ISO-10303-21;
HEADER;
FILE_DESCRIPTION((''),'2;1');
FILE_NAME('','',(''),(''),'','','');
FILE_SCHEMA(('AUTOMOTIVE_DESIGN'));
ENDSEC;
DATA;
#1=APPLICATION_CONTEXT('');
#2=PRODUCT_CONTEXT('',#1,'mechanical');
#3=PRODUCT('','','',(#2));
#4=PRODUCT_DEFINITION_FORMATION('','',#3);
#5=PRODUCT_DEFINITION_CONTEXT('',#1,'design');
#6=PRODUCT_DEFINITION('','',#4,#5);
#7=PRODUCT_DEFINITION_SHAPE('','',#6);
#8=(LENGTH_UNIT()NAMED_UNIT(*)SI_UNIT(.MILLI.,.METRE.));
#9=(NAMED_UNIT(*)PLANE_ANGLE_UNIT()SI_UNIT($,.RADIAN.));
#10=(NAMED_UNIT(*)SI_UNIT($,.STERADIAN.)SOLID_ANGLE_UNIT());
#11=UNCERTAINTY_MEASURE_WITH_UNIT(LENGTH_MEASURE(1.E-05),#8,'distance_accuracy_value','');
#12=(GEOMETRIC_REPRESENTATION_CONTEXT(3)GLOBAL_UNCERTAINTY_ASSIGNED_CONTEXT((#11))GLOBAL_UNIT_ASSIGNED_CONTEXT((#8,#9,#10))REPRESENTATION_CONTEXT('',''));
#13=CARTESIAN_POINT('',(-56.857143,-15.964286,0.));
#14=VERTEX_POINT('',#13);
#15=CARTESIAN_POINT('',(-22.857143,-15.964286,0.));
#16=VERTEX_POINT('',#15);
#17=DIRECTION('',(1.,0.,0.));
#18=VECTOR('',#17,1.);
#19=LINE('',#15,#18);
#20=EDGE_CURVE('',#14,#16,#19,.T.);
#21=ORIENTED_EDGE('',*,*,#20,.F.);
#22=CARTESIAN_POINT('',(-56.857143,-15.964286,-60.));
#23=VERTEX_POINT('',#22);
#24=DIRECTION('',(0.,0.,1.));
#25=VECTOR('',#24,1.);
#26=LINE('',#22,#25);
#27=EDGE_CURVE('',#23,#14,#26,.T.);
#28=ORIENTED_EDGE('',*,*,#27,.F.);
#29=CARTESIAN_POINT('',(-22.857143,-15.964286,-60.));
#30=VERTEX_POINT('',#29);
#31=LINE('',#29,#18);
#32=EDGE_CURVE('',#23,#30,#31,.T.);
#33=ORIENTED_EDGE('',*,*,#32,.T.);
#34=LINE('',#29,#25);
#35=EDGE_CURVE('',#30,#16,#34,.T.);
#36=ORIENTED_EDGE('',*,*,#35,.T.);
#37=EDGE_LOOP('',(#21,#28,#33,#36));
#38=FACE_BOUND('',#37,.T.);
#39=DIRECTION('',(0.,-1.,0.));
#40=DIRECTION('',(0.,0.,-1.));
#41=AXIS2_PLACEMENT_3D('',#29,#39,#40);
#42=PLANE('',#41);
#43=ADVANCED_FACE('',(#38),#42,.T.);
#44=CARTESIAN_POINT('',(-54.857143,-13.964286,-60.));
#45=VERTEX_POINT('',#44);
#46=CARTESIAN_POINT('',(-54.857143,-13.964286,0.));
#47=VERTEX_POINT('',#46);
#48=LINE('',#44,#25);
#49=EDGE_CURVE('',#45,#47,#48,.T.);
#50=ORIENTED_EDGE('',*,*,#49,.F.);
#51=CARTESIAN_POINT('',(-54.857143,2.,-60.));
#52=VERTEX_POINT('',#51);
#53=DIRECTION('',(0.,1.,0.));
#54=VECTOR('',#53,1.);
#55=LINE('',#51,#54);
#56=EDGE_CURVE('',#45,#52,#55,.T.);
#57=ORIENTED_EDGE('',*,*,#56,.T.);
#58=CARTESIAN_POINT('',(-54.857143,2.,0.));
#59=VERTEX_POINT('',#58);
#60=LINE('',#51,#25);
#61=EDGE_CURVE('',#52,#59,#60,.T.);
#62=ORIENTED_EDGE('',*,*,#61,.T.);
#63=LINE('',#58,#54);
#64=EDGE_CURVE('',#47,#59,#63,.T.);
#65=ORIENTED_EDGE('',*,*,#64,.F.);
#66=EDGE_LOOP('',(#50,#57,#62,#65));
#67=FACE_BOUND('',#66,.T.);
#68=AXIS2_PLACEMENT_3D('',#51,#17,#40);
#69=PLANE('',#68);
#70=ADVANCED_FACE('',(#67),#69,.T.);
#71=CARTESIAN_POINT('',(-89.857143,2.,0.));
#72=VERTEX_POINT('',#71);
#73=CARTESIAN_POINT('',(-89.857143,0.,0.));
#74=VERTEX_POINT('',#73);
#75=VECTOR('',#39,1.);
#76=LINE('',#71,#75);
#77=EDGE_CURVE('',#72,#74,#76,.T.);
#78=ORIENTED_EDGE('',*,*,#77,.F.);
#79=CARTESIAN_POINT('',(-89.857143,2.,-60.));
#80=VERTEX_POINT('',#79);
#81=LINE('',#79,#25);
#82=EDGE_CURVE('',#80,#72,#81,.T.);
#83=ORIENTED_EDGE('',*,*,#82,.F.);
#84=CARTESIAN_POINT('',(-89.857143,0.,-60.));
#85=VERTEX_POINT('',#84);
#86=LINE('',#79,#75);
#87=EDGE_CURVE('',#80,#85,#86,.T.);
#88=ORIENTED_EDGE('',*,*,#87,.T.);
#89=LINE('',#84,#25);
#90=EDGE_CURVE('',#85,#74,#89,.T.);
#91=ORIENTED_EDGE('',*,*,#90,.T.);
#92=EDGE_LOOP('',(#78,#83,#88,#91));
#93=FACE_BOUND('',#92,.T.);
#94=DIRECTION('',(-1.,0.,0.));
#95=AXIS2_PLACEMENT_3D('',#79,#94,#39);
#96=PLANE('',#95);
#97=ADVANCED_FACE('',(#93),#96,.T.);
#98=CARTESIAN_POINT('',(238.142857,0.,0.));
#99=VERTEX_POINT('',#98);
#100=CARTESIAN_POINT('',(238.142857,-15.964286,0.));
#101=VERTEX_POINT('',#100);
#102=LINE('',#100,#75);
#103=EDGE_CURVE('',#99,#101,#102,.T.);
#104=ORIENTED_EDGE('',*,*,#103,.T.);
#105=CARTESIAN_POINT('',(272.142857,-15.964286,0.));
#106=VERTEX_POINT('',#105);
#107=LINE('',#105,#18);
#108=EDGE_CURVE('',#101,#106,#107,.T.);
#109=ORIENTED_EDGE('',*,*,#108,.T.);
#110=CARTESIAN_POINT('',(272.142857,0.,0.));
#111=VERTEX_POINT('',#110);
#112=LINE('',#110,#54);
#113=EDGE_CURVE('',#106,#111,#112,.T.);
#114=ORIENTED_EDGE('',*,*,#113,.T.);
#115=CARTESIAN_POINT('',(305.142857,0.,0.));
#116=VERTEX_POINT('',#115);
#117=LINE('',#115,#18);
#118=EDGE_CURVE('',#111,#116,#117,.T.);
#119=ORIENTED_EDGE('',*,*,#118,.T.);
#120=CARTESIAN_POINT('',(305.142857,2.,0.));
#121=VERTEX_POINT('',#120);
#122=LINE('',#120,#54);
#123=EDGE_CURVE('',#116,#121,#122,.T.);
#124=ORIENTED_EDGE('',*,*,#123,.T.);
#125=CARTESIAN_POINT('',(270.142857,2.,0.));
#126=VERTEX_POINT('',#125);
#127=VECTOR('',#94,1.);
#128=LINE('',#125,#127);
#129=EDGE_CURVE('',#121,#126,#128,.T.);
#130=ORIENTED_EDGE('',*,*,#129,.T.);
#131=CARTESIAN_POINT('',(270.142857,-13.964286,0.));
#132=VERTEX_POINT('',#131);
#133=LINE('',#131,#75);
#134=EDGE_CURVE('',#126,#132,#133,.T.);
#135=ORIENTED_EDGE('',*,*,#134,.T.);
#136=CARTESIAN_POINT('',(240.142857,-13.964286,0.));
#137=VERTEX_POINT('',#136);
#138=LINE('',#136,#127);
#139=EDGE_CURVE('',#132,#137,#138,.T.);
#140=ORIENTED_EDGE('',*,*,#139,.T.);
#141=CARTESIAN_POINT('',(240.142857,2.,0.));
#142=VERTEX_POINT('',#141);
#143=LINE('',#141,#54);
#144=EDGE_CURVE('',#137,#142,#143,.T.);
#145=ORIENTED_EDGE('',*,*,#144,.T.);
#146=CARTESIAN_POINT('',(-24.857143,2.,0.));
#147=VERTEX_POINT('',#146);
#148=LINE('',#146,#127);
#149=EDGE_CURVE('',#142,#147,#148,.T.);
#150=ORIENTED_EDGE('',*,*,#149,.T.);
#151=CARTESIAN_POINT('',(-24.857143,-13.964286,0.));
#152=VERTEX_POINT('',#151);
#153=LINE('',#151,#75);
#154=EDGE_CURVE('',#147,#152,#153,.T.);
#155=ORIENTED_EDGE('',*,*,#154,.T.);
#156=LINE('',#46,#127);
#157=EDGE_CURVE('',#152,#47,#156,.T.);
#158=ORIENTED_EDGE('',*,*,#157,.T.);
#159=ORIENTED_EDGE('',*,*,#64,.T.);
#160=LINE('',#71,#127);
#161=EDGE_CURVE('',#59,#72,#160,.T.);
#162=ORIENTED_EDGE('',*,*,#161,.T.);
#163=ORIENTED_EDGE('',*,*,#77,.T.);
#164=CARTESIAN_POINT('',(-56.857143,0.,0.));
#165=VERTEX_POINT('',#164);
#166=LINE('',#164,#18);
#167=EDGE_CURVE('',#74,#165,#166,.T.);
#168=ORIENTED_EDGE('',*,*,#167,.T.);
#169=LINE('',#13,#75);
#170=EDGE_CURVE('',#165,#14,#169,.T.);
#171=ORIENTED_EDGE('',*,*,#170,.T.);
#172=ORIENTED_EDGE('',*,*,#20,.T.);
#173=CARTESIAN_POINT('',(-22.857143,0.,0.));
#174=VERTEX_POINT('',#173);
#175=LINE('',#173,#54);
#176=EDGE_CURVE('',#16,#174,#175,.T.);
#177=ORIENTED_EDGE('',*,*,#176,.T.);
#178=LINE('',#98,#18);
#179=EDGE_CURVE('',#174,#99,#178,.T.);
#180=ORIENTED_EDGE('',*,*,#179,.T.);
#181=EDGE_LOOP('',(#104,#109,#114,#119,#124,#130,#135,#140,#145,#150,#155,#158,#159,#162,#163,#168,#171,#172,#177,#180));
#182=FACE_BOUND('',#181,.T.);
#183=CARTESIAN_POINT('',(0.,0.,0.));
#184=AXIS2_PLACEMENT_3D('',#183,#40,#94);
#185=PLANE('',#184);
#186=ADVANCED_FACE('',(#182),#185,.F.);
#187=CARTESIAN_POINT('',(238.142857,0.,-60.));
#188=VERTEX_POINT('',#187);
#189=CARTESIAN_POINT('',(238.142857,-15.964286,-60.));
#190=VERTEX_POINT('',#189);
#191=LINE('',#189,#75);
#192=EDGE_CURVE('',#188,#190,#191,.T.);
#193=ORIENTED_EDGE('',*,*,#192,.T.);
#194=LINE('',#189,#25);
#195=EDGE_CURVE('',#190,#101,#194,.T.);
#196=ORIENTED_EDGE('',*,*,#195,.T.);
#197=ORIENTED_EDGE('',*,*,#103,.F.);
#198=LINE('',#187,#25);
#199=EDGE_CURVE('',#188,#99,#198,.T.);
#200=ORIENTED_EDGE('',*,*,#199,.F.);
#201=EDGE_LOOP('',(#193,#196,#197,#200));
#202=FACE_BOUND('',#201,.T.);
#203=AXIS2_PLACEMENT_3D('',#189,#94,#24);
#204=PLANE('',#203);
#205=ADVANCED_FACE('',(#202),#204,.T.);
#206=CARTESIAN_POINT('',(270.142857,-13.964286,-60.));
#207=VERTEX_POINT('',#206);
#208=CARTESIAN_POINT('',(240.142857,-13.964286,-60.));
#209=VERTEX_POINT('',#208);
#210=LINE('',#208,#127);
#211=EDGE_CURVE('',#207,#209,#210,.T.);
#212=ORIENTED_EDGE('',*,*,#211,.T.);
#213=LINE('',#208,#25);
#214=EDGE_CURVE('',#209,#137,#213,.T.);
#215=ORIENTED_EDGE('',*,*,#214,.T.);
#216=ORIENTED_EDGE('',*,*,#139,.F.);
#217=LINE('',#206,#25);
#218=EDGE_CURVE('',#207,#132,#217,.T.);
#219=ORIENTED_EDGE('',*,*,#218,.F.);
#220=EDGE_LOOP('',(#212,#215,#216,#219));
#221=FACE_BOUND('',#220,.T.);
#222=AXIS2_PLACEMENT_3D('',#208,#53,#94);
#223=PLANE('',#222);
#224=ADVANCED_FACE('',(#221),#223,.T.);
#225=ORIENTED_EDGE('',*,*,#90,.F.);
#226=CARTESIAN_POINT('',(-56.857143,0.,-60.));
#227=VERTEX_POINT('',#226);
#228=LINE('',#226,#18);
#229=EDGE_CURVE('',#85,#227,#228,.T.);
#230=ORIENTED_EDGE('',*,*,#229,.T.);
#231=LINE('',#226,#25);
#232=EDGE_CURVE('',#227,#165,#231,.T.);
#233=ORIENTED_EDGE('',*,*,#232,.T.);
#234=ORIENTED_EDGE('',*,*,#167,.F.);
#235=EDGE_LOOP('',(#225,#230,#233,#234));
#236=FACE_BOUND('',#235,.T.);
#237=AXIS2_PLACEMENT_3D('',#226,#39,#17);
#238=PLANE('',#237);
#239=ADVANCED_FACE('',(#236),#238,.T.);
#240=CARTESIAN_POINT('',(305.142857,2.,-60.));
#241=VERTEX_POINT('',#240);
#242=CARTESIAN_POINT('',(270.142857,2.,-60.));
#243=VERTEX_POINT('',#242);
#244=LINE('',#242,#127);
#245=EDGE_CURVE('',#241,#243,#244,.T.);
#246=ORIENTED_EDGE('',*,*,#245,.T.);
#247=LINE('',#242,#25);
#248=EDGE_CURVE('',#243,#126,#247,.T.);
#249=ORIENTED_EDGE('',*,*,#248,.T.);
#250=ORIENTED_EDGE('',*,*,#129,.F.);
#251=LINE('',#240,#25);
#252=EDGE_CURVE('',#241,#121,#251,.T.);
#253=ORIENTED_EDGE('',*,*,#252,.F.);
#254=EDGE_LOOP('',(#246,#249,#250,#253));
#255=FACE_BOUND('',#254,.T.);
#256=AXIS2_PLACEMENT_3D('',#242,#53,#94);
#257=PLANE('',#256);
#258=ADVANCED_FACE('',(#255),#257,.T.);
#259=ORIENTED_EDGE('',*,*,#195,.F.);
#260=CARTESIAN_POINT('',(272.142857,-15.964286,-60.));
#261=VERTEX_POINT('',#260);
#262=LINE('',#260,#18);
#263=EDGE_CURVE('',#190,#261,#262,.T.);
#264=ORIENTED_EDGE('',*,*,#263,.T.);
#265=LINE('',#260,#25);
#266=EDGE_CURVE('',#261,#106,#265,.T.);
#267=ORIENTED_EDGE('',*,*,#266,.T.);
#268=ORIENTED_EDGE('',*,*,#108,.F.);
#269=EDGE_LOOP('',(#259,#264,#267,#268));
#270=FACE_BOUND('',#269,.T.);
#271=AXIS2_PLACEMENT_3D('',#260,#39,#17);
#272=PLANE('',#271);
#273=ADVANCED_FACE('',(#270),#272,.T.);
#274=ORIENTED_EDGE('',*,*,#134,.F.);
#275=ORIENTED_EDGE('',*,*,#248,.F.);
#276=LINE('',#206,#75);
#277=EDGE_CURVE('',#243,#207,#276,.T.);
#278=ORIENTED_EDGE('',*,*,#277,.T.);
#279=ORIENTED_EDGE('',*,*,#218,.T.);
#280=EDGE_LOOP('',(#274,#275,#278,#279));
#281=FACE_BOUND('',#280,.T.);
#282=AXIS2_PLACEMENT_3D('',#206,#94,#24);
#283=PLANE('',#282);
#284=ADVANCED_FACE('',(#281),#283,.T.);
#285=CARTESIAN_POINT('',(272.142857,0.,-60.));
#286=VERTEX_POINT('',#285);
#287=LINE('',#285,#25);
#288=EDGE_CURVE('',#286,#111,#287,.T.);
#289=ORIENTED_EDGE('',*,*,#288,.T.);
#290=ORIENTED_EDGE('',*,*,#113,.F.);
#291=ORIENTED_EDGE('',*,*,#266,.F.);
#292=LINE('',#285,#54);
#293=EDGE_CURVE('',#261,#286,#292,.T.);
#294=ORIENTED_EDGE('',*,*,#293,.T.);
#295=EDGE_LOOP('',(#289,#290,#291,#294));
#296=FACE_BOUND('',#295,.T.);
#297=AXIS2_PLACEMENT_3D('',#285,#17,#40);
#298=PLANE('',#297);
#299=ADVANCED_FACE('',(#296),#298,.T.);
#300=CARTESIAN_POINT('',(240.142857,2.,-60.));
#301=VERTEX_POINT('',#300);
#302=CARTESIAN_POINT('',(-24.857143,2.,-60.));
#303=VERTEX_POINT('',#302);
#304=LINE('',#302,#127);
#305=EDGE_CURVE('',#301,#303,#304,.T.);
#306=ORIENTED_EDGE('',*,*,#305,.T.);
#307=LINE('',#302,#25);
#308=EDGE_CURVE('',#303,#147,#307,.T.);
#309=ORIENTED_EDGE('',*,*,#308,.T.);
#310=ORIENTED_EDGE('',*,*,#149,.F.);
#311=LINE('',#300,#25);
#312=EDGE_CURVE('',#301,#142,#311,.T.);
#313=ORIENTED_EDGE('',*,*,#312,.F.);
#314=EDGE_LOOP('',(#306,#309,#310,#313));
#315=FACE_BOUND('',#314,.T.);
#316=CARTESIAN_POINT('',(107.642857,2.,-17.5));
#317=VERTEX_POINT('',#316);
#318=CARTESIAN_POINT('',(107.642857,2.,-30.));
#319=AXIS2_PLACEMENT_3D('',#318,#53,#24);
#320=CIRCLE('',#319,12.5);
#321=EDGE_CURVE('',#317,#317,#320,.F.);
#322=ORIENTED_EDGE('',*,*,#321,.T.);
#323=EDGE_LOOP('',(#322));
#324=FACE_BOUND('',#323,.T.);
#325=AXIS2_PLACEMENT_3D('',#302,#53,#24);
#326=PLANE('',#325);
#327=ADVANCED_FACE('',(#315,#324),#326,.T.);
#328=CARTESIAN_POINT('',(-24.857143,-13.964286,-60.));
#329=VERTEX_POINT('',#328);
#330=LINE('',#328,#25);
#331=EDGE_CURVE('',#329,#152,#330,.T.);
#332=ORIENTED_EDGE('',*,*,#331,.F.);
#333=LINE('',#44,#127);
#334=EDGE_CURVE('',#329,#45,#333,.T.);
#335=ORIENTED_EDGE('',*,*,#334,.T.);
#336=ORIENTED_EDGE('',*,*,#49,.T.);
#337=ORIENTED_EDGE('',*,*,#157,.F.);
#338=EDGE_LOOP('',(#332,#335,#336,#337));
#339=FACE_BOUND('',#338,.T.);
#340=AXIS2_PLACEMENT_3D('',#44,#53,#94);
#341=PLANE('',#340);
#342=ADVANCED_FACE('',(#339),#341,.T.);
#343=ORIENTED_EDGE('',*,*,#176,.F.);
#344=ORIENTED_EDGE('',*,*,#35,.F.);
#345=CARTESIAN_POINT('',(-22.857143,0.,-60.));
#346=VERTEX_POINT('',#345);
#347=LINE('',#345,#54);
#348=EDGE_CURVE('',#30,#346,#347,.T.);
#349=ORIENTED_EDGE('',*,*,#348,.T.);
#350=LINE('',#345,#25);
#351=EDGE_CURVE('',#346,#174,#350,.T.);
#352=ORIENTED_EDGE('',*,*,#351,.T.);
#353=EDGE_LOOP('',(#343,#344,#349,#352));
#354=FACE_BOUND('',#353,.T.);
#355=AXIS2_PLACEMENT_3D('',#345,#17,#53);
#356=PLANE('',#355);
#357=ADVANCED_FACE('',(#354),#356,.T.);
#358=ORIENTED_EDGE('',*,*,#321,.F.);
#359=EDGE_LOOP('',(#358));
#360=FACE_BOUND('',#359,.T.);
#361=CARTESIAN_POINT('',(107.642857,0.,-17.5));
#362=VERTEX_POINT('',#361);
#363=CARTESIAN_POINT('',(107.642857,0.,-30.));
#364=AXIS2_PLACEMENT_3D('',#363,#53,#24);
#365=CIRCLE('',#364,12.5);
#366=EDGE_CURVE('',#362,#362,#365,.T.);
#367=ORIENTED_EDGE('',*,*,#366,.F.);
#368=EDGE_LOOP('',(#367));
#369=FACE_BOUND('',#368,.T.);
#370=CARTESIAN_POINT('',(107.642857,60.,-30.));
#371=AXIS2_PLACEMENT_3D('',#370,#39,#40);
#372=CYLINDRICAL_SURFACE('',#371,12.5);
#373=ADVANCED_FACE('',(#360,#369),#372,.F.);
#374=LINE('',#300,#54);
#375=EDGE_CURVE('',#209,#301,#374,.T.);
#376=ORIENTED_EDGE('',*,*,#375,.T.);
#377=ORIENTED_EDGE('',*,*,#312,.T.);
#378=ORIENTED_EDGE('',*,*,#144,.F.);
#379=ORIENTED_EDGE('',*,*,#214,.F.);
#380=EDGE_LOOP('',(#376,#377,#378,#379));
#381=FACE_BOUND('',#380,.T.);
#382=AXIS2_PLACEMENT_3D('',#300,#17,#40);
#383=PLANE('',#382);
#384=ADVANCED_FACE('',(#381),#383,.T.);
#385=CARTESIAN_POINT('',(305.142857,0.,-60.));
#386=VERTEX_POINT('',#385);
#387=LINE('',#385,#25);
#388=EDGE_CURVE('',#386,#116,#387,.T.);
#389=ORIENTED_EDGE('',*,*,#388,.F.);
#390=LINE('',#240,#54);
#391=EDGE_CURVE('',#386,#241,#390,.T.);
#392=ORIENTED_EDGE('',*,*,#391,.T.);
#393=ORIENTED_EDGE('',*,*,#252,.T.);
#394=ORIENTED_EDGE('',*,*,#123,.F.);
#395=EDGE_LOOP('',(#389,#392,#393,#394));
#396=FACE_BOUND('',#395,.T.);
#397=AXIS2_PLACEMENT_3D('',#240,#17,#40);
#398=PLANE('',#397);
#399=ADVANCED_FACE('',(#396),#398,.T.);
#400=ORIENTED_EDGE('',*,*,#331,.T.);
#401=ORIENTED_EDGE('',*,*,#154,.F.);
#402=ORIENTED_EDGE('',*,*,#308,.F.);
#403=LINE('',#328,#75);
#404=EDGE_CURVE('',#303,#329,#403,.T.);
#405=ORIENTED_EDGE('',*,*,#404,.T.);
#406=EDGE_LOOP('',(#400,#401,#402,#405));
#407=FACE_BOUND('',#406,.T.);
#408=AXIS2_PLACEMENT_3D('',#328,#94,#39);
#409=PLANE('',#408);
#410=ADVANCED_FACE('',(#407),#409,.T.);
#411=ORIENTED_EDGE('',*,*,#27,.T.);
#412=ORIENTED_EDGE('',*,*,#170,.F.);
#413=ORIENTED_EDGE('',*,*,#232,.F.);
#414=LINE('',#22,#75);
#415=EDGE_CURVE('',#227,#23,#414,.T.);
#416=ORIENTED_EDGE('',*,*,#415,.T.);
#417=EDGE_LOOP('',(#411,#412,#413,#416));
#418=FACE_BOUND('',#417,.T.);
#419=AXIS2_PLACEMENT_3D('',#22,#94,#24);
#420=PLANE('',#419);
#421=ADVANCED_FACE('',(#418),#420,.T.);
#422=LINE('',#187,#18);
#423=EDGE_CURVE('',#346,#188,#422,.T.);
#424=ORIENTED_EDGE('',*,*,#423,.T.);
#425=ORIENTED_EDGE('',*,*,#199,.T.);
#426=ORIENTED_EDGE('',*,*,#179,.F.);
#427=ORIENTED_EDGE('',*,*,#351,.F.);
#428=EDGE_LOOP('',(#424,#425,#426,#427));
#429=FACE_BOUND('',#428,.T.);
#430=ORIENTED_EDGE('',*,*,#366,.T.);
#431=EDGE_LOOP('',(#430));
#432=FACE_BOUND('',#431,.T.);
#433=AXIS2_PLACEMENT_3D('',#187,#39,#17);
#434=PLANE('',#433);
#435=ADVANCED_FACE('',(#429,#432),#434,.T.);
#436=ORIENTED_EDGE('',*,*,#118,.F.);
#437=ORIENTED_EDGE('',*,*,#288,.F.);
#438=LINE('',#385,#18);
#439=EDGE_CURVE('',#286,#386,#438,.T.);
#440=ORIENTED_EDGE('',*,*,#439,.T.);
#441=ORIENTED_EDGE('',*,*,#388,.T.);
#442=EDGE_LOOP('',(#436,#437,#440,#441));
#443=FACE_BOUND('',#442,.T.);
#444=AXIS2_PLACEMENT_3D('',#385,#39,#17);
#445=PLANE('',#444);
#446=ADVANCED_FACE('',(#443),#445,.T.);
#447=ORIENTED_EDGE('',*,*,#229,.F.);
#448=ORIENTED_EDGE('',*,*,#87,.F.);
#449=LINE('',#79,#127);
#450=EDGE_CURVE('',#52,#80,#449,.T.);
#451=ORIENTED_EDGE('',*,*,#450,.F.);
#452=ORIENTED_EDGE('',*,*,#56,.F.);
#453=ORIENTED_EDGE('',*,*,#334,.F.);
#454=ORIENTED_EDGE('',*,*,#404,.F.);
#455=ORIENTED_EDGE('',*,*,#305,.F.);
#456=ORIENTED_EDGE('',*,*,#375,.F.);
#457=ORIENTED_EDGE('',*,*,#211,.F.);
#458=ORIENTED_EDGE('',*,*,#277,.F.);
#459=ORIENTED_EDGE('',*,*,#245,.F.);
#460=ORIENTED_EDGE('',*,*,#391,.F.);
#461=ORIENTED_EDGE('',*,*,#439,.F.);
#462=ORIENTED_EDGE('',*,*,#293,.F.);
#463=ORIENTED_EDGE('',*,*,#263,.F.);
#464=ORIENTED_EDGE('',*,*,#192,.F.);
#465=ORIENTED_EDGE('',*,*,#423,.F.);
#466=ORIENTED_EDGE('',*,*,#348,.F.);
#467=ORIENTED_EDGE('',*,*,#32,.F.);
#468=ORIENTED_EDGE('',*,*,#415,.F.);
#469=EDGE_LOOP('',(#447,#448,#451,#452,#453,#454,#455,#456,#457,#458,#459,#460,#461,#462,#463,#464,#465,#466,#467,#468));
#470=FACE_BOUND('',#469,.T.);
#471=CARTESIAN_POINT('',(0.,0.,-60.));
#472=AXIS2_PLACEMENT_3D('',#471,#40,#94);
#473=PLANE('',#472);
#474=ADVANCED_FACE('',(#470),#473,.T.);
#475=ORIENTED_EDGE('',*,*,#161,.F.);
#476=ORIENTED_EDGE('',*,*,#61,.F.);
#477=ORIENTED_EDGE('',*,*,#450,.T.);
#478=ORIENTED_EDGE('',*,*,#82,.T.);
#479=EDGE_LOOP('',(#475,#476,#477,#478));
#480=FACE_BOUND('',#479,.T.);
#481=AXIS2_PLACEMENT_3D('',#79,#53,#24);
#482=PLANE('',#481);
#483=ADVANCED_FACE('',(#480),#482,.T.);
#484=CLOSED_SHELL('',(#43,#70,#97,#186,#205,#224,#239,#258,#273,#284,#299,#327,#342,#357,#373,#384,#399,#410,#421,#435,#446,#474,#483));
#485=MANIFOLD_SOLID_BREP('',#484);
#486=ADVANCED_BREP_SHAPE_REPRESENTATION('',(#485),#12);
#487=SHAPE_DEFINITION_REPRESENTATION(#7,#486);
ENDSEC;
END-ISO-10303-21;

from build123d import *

# Parameters (mm, degrees)
BOSS_EXTRUDE1_DEPTH = 60
SKETCH2_R           = 12.5
CUT_EXTRUDE2_DEPTH  = 60


with BuildPart() as part:
    # Sketch1 → Boss-Extrude1 (new body)
    with BuildSketch(Plane.XY):
        Polygon((305.142857143, 0), (272.142857143, 0), (272.142857143, -15.964285714), (238.142857143, -15.964285714), (238.142857143, 0), (-22.857142857, 0), (-22.857142857, -15.964285714), (-56.857142857, -15.964285714), (-56.857142857, 0), (-89.857142857, 0), (-89.857142857, 2), (-54.857142857, 2), (-54.857142857, -13.964285714), (-24.857142857, -13.964285714), (-24.857142857, 2), (240.142857143, 2), (240.142857143, -13.964285714), (270.142857143, -13.964285714), (270.142857143, 2), (305.142857143, 2), align=None)
    extrude(amount=-BOSS_EXTRUDE1_DEPTH)

    # Sketch2 → Cut-Extrude2 (cut)
    with BuildSketch(Plane(origin=(0, 0, 0), x_dir=(1, 0, 0), z_dir=(0, 1, 0))):
        with Locations((107.642857143, 30)):
            Circle(SKETCH2_R)
    extrude(amount=CUT_EXTRUDE2_DEPTH, mode=Mode.SUBTRACT)


solid = part.part
